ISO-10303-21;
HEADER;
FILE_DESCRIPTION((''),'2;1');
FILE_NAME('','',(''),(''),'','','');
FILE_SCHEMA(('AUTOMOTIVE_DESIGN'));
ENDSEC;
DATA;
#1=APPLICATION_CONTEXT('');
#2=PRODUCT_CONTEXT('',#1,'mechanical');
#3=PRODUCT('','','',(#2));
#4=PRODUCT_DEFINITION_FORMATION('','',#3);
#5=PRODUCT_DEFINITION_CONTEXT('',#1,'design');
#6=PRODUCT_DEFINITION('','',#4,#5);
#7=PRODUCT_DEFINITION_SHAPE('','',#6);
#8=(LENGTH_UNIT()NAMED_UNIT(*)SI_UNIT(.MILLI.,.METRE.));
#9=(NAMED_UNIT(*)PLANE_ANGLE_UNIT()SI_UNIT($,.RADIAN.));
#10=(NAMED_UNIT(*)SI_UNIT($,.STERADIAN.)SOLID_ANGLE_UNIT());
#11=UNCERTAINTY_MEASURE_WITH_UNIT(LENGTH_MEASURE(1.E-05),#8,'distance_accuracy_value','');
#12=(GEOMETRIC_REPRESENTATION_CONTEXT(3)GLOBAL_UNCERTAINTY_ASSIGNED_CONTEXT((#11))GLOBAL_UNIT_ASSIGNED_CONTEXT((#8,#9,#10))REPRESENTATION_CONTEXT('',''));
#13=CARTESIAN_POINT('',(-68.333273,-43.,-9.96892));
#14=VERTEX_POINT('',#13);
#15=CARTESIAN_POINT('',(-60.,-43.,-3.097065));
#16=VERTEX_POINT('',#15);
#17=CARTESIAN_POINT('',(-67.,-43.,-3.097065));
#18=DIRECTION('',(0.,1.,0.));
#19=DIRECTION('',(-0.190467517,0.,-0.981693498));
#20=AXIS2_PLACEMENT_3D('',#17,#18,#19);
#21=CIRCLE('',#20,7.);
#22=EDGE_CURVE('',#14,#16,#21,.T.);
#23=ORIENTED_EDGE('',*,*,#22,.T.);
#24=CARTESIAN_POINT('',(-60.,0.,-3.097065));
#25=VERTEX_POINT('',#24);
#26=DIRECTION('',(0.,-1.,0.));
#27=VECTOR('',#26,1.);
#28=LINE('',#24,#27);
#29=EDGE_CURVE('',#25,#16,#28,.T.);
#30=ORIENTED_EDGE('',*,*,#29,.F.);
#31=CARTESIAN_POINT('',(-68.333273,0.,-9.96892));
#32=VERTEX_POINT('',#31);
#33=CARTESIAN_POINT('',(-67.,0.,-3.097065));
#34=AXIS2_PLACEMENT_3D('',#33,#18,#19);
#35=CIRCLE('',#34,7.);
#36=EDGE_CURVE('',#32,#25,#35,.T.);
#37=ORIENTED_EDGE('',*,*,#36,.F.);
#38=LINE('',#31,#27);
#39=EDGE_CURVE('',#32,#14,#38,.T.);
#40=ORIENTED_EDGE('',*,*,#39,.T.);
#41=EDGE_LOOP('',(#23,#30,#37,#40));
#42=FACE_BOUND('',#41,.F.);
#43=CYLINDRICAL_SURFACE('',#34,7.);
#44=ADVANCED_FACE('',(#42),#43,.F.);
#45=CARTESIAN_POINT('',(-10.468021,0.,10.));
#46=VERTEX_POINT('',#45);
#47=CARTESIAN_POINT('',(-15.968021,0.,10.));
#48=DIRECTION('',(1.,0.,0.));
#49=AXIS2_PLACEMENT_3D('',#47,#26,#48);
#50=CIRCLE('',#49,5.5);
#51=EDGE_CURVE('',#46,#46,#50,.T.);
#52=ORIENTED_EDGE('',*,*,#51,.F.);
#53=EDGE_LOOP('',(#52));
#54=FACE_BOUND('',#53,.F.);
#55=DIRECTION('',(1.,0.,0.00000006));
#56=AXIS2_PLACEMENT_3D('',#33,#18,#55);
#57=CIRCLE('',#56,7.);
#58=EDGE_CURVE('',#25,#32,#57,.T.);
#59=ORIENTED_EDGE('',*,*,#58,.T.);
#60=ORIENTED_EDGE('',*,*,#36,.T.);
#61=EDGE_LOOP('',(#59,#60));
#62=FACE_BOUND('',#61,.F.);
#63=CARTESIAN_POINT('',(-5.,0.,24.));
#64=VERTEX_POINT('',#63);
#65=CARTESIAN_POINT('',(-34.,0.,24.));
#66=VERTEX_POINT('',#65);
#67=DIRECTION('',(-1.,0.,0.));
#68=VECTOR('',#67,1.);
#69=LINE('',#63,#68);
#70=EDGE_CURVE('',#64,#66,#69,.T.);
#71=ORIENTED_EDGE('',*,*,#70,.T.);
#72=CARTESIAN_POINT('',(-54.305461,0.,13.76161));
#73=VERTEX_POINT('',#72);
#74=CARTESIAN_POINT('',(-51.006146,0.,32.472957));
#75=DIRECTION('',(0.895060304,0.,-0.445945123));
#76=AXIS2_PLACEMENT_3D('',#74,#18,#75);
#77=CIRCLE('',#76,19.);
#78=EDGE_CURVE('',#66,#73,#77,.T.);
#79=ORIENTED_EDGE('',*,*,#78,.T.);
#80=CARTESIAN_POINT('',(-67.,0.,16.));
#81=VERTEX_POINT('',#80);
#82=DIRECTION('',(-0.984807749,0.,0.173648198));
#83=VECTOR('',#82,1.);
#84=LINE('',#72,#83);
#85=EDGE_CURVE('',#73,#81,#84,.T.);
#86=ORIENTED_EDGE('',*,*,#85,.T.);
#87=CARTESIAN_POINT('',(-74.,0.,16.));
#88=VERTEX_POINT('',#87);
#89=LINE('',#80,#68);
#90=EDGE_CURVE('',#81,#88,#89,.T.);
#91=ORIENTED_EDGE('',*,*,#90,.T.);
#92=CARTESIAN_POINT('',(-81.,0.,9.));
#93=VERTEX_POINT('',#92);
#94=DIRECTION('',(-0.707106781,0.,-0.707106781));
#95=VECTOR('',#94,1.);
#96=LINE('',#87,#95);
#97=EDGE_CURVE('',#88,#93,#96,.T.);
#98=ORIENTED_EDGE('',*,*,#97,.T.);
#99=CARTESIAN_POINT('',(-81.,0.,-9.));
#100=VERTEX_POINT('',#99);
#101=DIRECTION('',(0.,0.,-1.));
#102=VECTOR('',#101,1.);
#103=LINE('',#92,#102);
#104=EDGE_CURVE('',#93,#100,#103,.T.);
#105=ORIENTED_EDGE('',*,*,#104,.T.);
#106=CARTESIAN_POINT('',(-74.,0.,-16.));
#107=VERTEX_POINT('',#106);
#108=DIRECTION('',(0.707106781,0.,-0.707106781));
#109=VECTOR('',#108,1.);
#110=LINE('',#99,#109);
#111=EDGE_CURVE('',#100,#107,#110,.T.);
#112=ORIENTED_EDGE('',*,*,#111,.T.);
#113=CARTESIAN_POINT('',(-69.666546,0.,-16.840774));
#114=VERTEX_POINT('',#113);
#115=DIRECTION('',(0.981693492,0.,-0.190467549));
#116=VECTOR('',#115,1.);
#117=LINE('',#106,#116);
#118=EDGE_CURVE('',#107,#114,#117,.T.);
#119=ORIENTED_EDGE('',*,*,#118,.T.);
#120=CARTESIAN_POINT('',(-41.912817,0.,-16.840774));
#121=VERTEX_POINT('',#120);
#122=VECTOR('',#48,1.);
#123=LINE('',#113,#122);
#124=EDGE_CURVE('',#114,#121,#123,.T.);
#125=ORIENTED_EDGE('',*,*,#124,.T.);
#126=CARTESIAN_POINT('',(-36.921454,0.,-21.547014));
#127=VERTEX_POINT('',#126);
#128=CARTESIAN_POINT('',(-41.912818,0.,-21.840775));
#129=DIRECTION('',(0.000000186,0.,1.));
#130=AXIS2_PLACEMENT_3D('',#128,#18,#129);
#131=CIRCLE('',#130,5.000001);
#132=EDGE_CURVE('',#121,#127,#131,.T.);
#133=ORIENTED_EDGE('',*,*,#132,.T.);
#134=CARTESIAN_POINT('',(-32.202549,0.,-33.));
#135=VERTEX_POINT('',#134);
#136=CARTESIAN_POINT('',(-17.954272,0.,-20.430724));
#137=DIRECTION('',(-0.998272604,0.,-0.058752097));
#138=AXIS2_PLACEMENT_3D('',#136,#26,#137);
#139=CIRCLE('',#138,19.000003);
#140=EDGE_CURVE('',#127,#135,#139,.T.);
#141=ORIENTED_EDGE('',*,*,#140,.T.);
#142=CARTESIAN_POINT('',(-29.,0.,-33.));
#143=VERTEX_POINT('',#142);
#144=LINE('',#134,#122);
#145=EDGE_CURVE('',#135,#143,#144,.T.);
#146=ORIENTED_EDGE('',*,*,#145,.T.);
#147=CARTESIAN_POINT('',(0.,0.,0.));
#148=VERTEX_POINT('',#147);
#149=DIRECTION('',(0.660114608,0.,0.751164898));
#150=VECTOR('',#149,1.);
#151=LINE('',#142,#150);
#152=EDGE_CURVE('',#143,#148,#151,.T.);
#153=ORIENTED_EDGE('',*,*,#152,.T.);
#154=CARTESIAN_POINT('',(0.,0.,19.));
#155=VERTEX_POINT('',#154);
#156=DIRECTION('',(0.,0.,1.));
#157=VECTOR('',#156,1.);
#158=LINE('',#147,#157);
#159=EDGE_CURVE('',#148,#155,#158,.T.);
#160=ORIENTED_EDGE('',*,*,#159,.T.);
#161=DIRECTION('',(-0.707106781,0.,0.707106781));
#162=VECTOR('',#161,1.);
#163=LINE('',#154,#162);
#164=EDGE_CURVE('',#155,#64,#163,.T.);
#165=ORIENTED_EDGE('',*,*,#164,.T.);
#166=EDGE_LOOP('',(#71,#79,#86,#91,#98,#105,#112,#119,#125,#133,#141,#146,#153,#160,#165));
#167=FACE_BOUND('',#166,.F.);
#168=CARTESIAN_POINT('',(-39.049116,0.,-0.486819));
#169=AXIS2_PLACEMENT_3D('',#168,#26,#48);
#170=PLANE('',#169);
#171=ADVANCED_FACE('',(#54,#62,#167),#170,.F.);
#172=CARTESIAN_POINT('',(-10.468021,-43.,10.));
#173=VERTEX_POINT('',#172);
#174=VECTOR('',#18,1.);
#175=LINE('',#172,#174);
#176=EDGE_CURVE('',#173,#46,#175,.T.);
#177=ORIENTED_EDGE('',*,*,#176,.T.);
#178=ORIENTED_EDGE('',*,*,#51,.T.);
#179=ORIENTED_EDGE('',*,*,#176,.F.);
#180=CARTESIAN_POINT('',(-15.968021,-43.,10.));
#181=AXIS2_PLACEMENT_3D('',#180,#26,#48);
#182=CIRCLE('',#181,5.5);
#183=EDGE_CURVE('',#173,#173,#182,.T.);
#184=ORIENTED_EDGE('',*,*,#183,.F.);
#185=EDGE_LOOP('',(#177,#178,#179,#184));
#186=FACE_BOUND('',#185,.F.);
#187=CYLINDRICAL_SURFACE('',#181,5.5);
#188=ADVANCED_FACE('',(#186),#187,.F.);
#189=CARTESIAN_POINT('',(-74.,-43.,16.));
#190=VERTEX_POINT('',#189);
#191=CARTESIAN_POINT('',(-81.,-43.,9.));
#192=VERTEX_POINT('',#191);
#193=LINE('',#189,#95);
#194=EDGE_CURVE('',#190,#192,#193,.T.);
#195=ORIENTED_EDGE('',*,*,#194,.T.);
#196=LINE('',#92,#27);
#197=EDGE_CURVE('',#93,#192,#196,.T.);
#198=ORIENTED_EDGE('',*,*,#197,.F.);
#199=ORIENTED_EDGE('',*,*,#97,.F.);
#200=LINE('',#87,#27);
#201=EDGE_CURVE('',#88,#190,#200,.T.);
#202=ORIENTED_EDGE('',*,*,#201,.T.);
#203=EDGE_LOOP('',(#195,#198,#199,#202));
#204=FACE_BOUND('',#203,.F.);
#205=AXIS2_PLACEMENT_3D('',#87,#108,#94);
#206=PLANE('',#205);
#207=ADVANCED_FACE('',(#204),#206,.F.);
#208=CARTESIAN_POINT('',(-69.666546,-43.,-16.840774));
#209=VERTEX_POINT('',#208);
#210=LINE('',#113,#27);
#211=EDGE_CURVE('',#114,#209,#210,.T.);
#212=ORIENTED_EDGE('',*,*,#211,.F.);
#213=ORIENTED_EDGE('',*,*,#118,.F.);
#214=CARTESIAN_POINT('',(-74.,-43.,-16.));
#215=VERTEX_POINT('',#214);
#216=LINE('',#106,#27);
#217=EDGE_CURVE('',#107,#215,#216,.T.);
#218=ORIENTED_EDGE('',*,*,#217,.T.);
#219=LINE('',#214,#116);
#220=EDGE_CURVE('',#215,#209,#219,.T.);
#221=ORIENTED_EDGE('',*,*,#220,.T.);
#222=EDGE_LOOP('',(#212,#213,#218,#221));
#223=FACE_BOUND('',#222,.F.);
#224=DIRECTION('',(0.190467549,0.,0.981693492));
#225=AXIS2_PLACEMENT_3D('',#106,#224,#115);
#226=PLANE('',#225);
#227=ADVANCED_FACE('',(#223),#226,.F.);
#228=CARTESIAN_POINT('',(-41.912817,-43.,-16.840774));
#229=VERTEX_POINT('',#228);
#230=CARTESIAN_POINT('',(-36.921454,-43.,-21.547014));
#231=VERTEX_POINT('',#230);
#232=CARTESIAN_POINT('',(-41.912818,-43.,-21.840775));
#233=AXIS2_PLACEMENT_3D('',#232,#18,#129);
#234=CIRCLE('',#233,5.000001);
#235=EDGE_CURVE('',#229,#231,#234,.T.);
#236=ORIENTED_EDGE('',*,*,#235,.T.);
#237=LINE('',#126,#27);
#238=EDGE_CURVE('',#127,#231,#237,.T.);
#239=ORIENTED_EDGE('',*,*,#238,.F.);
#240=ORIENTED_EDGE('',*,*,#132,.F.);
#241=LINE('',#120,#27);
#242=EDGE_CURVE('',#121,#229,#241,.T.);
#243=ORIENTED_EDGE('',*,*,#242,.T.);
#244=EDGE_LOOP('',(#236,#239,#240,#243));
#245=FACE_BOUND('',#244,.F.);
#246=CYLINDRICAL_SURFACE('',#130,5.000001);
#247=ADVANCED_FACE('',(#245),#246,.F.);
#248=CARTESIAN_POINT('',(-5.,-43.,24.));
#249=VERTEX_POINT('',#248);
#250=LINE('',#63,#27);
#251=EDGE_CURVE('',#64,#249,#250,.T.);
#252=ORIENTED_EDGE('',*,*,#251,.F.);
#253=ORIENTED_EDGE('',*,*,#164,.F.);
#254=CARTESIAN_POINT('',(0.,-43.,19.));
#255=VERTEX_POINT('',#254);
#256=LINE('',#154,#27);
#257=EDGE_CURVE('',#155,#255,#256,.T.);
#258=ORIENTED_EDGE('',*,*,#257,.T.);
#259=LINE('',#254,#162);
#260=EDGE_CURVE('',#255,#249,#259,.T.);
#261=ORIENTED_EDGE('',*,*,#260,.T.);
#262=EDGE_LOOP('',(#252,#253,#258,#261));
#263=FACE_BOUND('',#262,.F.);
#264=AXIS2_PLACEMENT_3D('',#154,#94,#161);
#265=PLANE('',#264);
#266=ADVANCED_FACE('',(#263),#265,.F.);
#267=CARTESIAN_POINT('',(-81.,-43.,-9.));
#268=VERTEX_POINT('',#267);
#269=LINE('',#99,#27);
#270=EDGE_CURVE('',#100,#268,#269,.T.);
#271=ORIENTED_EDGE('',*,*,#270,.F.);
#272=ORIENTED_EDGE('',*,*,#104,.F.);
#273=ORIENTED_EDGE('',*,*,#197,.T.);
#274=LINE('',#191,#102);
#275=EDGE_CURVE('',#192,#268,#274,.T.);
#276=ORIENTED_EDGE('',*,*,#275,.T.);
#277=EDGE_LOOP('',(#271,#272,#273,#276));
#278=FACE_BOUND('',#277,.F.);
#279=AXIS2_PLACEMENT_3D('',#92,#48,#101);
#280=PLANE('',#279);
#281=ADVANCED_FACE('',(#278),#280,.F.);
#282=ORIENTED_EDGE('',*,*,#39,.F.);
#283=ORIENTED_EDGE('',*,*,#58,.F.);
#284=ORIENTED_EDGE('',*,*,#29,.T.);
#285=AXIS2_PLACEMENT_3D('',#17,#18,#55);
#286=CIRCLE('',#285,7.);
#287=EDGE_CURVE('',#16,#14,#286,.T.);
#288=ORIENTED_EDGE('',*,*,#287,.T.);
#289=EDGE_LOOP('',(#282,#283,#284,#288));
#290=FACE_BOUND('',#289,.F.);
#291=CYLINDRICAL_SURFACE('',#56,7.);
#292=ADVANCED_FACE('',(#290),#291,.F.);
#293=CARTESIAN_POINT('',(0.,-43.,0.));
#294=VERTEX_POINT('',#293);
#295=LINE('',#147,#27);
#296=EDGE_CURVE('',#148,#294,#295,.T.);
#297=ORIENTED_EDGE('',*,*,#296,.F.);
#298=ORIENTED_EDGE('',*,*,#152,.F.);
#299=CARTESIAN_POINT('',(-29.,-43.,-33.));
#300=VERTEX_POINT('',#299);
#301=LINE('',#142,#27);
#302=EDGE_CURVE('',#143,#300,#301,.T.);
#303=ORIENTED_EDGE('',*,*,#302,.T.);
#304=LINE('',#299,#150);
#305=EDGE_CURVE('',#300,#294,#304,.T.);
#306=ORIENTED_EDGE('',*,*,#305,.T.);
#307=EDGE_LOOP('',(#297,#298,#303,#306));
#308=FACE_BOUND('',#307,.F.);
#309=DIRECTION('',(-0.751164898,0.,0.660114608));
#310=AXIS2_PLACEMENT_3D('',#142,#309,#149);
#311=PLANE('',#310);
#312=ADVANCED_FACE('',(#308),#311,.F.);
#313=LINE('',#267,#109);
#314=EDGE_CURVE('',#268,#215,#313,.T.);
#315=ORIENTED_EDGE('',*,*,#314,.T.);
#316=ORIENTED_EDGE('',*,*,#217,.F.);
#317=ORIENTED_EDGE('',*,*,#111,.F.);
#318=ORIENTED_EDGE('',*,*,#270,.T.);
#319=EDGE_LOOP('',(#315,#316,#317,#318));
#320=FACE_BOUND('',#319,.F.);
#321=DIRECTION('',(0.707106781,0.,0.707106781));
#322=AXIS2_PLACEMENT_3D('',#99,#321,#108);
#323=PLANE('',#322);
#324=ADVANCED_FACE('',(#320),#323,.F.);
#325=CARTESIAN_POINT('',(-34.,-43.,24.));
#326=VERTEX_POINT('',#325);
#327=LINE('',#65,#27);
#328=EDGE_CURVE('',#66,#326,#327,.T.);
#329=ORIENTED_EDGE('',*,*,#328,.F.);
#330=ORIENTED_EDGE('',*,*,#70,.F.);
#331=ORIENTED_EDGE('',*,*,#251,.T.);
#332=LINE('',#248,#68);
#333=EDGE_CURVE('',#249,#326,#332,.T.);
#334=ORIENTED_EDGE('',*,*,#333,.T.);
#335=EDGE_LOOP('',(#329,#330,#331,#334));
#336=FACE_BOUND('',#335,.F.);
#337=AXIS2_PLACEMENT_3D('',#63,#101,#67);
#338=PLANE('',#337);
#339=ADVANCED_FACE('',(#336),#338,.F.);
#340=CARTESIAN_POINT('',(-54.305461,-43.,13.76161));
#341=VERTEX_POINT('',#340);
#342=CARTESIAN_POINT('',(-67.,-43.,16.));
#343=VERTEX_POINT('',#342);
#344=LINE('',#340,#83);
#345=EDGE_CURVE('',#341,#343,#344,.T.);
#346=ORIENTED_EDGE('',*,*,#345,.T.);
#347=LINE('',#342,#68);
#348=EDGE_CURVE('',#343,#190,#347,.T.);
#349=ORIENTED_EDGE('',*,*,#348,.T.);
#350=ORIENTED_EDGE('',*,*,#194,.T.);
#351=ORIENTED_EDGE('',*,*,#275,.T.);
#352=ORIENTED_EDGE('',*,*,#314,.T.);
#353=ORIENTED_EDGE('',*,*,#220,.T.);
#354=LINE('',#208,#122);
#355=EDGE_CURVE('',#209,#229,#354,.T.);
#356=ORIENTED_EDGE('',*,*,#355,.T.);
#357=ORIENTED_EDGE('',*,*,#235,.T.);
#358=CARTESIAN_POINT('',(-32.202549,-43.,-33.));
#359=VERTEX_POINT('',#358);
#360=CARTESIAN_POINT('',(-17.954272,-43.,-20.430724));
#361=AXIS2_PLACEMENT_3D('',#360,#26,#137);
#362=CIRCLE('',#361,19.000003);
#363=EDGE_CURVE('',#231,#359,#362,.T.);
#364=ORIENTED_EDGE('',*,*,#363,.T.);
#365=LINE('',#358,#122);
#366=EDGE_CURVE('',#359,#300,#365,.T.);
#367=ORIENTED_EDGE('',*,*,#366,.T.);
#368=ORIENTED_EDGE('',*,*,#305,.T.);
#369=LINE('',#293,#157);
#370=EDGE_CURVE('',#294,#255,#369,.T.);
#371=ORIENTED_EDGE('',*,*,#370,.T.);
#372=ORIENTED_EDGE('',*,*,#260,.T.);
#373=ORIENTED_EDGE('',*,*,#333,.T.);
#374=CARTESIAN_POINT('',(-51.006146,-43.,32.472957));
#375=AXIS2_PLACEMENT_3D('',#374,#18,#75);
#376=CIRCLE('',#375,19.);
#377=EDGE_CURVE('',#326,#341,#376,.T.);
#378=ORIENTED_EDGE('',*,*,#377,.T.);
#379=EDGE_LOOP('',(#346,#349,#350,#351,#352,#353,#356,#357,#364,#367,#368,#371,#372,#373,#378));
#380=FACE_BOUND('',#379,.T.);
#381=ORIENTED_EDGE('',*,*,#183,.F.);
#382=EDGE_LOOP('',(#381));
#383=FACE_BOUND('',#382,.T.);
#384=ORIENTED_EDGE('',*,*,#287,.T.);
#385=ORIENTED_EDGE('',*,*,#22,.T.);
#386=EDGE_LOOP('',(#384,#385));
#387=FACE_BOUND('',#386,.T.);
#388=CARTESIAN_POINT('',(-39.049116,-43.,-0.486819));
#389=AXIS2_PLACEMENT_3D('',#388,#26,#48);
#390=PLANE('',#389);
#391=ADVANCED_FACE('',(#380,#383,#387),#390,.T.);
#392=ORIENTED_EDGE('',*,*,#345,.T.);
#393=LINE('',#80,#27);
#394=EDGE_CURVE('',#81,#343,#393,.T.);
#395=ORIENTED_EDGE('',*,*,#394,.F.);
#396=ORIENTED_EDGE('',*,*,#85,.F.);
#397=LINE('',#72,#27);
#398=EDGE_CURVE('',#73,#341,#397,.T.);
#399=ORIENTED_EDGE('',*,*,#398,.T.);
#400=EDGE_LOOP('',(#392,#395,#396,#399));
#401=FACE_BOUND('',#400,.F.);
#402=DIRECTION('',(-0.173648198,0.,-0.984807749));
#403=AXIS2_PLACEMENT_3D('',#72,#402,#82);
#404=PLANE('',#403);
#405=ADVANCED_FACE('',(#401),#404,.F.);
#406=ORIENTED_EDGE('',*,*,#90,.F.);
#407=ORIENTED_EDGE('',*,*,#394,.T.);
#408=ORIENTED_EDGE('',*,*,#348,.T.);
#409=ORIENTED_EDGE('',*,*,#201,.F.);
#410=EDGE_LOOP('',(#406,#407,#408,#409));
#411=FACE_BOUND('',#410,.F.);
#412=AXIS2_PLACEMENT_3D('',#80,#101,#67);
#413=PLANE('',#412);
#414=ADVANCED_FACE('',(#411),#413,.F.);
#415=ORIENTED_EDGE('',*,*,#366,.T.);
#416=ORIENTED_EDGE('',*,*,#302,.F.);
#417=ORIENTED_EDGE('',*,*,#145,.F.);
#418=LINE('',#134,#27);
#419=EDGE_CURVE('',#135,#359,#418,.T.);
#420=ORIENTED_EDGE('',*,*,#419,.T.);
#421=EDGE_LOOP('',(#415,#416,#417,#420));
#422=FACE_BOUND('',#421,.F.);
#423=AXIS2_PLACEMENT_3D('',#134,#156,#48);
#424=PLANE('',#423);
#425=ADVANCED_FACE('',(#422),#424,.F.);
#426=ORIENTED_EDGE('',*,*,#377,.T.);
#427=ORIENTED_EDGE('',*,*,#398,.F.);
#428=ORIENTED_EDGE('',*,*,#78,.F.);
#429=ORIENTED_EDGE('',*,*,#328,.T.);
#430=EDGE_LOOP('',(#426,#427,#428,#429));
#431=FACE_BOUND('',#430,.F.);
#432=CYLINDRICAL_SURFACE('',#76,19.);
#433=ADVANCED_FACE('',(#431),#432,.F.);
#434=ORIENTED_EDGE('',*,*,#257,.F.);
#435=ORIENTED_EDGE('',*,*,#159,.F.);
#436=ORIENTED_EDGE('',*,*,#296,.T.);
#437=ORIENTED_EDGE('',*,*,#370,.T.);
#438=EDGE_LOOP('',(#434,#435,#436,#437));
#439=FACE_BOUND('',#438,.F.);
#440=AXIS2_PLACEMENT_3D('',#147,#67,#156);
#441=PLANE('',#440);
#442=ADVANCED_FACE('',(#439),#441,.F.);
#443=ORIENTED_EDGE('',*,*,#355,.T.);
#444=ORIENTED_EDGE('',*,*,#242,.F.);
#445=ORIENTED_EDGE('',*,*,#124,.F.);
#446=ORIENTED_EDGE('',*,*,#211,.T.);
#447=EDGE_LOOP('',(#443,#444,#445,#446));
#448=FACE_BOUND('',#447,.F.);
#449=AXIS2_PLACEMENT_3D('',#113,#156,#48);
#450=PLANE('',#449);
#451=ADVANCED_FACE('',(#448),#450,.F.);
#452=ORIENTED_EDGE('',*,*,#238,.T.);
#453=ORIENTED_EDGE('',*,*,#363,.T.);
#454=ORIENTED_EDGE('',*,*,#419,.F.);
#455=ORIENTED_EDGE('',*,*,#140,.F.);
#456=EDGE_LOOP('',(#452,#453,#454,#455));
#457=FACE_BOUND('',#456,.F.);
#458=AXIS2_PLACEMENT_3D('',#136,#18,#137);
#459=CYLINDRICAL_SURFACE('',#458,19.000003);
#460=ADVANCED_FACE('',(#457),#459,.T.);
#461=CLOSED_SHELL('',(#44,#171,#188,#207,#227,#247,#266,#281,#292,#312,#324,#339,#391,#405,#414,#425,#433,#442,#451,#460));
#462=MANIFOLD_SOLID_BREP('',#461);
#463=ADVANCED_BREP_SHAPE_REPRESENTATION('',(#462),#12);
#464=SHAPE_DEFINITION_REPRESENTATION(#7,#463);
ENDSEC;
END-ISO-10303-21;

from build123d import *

# Parameters (mm, degrees)
F1_DEPTH = 43
F2_R     = 5.5
F3_DEPTH = 43.001


with BuildPart() as f1:
    # F0 (on Front) → F1 (new body)
    with BuildSketch(Plane.XZ):
        with BuildLine():
            Line((-29, -33), (0, 0))
            Line((0, 0), (0, 19))
            Line((0, 19), (-5, 24))
            Line((-5, 24), (-34, 24))
            ThreePointArc((-34, 24), (-42.45188, 15.507565), (-54.305461, 13.76161))
            Line((-54.305461, 13.76161), (-67, 16))
            Line((-67, 16), (-74, 16))
            Line((-74, 16), (-81, 9))
            Line((-81, 9), (-81, 0))
            Line((-81, 0), (-81, -9))
            Line((-81, -9), (-74, -16))
            Line((-74, -16), (-69.666546, -16.840774))
            Line((-69.666546, -16.840774), (-41.912817, -16.840774))
            ThreePointArc((-41.912817, -16.840774), (-38.482715, -18.202863), (-36.921454, -21.547014))
            ThreePointArc((-36.921454, -21.547014), (-35.521554, -27.668866), (-32.202549, -33))
            Line((-32.202549, -33), (-29, -33))
        make_face()
        with BuildLine():
            ThreePointArc((-60, -3.097065), (-62.546513, -8.497663), (-68.333273, -9.96892))
            ThreePointArc((-68.333273, -9.96892), (-71.453487, 2.303533), (-60, -3.097065))
        make_face(mode=Mode.SUBTRACT)
    extrude(amount=F1_DEPTH)

    # F2 (on face) → F3 (cut, through all)
    with BuildSketch(Plane.XZ.offset(43)):
        with Locations((-15.968021, 10)):
            Circle(F2_R)
    extrude(amount=-F3_DEPTH, mode=Mode.SUBTRACT)


solid = f1.part
